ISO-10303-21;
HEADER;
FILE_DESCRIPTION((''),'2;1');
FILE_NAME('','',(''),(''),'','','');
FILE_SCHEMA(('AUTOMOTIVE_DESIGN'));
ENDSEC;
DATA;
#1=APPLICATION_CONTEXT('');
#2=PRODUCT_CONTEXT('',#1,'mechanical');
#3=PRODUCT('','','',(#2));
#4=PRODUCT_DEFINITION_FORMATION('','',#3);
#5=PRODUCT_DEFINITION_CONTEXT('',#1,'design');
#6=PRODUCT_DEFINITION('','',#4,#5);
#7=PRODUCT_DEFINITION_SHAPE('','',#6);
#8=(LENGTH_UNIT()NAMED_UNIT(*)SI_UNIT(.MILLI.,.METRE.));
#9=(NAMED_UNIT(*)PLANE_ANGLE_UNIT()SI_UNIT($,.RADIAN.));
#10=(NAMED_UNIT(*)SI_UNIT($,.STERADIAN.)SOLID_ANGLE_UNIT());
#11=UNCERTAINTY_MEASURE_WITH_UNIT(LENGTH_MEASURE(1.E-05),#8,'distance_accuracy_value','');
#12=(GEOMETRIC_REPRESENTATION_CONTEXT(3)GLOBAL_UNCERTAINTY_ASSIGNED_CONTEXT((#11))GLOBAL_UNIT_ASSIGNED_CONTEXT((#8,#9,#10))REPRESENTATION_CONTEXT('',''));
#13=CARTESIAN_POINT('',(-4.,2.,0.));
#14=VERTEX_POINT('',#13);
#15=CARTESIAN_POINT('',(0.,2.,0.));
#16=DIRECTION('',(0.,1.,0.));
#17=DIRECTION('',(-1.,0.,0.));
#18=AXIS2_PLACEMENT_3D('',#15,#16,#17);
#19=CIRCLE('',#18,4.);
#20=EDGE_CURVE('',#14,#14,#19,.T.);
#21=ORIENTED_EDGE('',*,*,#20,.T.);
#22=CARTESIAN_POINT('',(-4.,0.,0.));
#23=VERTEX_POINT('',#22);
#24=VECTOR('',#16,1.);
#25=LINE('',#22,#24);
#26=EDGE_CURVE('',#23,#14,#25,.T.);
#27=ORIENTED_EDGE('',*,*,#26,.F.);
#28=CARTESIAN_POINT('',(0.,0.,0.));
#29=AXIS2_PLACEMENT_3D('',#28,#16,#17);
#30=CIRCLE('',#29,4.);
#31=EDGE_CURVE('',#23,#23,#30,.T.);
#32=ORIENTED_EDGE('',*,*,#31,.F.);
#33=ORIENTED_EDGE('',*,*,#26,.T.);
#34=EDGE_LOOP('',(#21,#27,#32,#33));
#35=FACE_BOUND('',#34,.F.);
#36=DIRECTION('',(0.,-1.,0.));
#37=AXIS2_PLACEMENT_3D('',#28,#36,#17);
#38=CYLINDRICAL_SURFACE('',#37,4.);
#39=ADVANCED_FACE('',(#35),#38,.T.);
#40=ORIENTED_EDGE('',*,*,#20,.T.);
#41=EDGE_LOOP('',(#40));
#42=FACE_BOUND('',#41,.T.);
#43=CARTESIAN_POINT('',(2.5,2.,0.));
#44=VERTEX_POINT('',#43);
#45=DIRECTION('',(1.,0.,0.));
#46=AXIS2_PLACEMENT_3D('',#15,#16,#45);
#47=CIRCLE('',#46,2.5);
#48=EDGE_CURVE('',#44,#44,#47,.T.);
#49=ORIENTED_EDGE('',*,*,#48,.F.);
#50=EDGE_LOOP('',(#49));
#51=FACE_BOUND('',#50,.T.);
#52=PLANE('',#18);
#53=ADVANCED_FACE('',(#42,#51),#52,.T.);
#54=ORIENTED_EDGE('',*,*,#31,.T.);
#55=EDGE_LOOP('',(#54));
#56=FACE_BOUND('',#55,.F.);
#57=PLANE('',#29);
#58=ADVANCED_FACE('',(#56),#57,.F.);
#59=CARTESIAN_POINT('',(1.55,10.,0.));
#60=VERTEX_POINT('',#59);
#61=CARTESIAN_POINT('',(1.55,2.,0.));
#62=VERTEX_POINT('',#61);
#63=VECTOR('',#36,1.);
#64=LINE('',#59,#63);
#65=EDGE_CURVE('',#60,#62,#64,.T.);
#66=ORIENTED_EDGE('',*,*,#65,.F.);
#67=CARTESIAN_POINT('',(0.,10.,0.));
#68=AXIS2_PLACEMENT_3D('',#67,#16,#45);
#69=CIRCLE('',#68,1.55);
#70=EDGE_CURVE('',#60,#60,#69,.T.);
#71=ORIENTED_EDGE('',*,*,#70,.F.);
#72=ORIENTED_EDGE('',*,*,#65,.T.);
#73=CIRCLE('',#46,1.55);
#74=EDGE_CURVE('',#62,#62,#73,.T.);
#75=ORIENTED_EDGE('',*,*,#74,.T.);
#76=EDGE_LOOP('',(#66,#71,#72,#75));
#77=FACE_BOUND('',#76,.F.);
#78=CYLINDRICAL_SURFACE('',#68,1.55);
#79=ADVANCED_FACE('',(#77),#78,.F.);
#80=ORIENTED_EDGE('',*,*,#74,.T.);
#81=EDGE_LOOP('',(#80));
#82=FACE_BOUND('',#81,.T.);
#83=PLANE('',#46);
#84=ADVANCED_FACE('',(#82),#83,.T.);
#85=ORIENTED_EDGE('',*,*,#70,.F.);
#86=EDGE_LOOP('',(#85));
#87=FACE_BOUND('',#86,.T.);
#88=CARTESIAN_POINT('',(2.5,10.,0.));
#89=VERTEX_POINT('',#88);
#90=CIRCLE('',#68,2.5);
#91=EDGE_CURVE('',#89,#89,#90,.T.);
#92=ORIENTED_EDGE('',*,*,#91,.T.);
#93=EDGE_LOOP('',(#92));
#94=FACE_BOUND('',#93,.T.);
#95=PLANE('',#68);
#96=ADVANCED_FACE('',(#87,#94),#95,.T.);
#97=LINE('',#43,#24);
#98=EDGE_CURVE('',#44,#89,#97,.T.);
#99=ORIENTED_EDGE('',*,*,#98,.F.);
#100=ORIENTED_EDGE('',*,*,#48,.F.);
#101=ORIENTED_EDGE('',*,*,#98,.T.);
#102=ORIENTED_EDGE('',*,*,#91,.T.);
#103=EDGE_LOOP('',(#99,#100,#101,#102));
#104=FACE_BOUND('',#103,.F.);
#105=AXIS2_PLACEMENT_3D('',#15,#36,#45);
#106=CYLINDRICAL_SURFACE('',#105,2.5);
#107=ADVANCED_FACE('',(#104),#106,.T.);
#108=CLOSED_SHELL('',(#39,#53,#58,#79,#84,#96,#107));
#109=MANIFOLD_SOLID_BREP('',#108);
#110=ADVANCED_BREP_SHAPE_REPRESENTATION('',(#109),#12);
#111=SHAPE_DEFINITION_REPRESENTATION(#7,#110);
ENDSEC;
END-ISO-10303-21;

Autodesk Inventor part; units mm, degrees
ref_plane "YZ Plane" through (0, 0, 0) normal (1, 0, 0) x (0, 1, 0)
ref_plane "XZ Plane" through (0, 0, 0) normal (0, 1, 0) x (-1, 0, 0)
ref_plane "XY Plane" through (0, 0, 0) normal (0, 0, 1) x (1, 0, 0)
sketch "Náčrt1" plane through (0, 0, 0) normal (0, 1, 0) x (-1, 0, 0)
  circle A0 centre (0, 0) radius 4
  dimension "d0" = 8
extrude "Vysunutí1" add sketch "Náčrt1" along normal blind 2
sketch "Náčrt2" plane through (0, 2, 0) normal (0, 1, 0) x (1, 0, 0)
  circle A0 centre (0, 0) radius 2.5
  dimension "d3" = 5
extrude "Vysunutí2" add sketch "Náčrt2" along normal blind 8
sketch "Náčrt3" plane through (0, 10, 0) normal (0, 1, 0) x (1, 0, 0)
  circle A0 centre (0, 0) radius 1.55
  dimension "d6" = 3.1
extrude "Vysunutí3" cut sketch "Náčrt3" against normal blind 8
properties part number "Čepička na arduino"
